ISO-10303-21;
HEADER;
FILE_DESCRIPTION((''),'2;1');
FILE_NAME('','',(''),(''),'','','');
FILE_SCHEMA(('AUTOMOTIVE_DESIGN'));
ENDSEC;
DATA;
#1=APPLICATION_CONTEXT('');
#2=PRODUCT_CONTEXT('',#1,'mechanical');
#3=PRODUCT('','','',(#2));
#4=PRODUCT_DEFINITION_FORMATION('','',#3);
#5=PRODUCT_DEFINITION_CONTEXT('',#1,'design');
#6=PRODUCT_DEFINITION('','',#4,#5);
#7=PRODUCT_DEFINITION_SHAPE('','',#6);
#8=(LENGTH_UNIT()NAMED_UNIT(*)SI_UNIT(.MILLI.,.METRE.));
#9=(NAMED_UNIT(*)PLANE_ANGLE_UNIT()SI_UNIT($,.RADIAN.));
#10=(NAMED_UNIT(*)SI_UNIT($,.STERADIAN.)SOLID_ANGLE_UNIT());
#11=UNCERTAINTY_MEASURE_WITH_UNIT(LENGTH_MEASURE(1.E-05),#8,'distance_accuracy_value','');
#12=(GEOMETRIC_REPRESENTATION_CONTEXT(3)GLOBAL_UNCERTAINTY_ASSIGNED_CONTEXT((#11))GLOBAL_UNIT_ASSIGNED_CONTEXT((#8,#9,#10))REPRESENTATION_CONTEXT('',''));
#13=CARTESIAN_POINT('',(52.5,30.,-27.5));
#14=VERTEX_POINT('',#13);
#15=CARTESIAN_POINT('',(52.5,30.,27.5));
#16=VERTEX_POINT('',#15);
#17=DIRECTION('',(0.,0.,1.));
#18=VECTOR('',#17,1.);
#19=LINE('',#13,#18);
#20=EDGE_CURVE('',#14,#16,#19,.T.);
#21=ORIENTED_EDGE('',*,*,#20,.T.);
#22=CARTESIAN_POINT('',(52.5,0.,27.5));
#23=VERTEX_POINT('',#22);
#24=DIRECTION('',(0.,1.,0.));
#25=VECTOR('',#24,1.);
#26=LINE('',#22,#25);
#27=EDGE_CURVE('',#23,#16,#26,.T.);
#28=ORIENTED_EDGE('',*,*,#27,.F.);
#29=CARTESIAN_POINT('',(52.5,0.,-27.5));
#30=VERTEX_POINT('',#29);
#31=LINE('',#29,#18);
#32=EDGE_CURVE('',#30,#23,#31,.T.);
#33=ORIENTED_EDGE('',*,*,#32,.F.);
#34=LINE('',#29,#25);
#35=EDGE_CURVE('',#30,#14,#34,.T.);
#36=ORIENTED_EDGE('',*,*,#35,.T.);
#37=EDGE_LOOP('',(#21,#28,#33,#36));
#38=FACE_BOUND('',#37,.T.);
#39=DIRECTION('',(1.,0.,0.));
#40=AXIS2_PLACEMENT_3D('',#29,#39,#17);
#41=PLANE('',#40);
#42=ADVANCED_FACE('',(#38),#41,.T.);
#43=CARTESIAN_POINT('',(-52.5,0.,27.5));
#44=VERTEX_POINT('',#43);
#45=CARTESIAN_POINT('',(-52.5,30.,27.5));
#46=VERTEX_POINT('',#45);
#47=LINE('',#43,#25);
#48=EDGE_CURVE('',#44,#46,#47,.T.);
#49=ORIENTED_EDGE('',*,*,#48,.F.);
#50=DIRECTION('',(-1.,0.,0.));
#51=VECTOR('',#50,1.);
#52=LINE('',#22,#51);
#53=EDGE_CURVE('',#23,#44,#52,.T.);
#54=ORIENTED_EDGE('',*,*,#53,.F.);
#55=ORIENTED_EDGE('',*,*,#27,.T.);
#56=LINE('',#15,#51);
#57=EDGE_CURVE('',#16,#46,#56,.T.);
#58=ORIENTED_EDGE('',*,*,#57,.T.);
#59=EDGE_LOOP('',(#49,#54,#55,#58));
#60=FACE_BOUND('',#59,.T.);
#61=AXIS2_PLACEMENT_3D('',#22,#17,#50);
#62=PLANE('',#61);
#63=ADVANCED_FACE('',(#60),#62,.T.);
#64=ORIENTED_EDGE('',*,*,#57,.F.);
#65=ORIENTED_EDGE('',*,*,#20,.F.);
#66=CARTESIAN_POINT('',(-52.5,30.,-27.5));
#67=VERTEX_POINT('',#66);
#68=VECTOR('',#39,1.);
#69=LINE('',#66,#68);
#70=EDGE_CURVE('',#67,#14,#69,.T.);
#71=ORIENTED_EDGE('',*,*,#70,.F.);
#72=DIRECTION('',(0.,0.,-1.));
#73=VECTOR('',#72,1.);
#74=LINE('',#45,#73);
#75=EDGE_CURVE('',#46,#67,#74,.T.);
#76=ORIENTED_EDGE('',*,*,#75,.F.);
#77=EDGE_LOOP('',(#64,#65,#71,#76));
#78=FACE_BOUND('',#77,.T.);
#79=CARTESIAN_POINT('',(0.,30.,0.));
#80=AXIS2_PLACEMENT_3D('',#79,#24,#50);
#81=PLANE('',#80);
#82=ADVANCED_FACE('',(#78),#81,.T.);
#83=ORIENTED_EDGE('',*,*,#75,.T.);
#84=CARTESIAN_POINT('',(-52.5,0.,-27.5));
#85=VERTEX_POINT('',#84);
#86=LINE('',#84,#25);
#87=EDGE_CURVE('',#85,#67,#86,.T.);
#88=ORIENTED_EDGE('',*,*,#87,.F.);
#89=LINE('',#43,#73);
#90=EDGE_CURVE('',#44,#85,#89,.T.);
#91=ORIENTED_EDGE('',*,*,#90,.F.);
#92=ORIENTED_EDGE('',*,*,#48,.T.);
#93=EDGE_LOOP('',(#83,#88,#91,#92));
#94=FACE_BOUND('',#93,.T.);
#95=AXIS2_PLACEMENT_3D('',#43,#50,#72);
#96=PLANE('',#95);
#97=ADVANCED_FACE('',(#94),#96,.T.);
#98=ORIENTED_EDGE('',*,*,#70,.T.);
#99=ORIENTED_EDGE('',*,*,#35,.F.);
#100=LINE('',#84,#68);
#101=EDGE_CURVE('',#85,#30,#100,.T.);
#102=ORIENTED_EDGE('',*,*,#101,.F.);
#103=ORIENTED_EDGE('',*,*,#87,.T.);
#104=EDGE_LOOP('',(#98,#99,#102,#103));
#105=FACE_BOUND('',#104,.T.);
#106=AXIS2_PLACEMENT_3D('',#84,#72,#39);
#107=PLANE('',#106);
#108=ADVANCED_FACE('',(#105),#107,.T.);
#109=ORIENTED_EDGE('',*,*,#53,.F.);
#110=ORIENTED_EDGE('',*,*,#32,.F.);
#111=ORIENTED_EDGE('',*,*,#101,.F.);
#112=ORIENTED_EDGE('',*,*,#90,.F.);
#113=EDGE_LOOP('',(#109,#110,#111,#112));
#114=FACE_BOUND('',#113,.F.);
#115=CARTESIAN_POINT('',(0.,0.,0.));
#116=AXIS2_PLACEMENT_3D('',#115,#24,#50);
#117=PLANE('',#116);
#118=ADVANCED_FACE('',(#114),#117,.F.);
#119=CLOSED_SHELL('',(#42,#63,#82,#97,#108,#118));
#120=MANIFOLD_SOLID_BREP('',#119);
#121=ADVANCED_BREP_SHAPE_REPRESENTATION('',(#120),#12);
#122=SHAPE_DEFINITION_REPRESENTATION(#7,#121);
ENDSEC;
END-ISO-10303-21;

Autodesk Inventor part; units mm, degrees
ref_plane "YZ Plane" through (0, 0, 0) normal (1, 0, 0) x (0, 1, 0)
ref_plane "XZ Plane" through (0, 0, 0) normal (0, 1, 0) x (-1, 0, 0)
ref_plane "XY Plane" through (0, 0, 0) normal (0, 0, 1) x (1, 0, 0)
sketch "Esquisse1" plane through (0, 0, 0) normal (0, 1, 0) x (-1, 0, 0)
  line L0 (-52.5, 27.5) -> (52.5, 27.5)
  line L1 (52.5, 27.5) -> (52.5, -27.5)
  line L2 (52.5, -27.5) -> (-52.5, -27.5)
  line L3 (-52.5, -27.5) -> (-52.5, 27.5)
  point P0 (0, 0)
  dimension "d0" = 105
  dimension "d1" = 55
  dimension "d2" = 52.5
  dimension "d3" = 27.5
extrude "Extrusion1" add sketch "Esquisse1" along normal blind 30
equation "\"d2\" = 0.5 * d0"
equation "\"d3\" = 0.5 * d1"
properties part number "HobbyKing_Trackstar_Fireproof_Lipo_Storage_Case"
